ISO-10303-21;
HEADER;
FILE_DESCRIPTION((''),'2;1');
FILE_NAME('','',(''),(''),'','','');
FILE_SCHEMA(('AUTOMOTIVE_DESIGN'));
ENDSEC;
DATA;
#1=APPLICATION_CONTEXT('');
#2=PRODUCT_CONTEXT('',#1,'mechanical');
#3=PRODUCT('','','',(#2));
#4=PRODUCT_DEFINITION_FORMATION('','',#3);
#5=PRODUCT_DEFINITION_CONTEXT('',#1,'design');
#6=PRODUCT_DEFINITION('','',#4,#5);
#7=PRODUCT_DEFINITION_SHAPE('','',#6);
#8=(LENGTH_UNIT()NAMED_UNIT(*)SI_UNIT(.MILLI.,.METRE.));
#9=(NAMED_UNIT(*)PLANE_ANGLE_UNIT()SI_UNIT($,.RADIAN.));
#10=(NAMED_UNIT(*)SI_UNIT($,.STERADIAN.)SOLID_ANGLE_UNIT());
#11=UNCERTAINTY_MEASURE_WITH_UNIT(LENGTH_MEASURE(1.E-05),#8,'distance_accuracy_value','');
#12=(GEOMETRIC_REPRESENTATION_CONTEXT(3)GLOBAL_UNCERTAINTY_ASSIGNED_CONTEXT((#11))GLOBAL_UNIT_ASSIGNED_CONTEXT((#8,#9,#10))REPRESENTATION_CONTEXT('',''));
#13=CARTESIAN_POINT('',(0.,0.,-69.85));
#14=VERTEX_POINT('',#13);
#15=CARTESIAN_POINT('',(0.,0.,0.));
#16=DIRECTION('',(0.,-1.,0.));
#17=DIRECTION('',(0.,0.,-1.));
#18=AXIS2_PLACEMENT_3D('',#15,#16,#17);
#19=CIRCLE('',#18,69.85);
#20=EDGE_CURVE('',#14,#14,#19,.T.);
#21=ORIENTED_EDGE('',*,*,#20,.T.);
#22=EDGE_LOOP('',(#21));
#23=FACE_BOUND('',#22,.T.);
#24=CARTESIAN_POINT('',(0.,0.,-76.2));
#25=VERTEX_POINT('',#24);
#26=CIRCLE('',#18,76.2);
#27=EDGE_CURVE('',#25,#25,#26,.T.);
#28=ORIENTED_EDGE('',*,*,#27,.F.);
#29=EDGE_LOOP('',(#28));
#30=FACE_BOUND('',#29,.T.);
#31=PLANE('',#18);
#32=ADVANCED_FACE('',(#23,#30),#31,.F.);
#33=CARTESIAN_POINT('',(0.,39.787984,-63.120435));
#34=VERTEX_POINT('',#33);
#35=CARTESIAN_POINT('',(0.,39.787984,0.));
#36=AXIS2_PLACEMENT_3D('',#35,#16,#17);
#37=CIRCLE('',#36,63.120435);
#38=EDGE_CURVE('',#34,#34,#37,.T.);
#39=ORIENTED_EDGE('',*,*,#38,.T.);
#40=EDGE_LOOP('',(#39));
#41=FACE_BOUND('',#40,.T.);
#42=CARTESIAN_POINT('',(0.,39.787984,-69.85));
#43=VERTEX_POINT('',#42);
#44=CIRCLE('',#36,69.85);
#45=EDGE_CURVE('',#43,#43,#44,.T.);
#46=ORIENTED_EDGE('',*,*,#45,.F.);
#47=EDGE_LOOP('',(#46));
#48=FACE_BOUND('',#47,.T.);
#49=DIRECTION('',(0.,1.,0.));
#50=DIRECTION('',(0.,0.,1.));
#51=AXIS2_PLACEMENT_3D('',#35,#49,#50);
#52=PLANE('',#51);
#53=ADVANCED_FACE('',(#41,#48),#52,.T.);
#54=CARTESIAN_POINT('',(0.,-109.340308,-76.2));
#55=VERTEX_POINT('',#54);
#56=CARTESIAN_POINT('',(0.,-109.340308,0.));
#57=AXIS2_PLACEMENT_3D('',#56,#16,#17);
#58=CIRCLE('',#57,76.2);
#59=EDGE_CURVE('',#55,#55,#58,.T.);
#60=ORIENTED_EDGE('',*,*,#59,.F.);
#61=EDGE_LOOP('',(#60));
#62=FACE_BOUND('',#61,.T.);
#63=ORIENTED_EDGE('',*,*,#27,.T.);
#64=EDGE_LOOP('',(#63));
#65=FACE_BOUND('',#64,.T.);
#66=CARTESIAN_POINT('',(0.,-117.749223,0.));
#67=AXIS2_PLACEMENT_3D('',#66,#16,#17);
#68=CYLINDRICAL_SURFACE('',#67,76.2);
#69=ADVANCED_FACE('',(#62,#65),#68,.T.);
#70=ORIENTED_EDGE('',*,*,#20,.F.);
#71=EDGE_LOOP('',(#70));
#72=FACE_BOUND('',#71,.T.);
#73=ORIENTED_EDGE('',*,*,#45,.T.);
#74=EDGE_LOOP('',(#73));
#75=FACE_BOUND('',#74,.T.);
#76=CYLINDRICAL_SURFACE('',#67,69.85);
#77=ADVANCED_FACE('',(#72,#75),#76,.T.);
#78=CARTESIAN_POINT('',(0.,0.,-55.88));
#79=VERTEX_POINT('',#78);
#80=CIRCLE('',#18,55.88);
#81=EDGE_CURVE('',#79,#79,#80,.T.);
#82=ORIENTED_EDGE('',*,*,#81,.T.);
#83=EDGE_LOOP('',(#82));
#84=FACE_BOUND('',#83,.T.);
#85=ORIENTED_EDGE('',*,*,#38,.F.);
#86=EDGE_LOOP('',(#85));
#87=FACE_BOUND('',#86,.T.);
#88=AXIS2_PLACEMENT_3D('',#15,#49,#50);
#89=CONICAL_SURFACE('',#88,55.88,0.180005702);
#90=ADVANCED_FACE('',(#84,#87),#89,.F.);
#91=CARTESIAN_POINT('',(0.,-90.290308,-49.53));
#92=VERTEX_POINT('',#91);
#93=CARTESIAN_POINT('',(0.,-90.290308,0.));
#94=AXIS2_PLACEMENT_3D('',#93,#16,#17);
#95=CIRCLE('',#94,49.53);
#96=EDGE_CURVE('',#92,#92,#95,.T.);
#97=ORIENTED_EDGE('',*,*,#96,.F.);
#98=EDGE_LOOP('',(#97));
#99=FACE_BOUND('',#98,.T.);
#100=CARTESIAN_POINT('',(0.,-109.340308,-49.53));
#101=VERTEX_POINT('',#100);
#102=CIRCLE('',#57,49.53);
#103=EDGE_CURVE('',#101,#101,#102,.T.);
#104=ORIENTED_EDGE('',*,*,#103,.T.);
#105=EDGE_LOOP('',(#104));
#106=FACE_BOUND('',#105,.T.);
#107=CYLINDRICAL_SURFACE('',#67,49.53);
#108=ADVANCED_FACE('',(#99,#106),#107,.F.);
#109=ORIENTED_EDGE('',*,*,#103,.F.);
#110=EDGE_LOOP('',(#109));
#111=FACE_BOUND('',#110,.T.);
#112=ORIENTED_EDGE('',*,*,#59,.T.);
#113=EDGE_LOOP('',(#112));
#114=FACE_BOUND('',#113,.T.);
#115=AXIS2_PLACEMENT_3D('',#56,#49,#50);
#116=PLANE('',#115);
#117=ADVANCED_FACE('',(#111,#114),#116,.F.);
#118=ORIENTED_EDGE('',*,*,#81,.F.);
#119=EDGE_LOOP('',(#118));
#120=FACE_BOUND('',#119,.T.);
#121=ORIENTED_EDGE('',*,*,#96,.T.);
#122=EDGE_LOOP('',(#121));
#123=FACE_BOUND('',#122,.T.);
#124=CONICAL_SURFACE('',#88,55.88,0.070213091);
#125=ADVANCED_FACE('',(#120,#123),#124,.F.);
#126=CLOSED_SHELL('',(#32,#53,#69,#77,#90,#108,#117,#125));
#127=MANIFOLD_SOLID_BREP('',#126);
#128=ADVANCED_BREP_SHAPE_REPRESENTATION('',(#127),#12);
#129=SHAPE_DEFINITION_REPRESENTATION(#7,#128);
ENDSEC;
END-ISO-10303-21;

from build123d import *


with BuildPart() as part:
    # Sketch1 → Revolve1 (revolve)
    with BuildSketch(Plane.XY, mode=Mode.PRIVATE) as revolve1_sk:
        Polygon((-55.88, 0), (-63.1204351, 39.7879841), (-69.85, 39.7879841), (-69.85, 0), (-76.2, 0), (-76.2, -109.340308374), (-49.53, -109.340308374), (-49.53, -90.290308374), align=None)
    revolve(revolve1_sk.sketch.rotate(Axis((0, -117.749222998, 0), (0, 1, 0)), 270), axis=Axis((0, -117.749222998, 0), (0, 1, 0)))


solid = part.part
